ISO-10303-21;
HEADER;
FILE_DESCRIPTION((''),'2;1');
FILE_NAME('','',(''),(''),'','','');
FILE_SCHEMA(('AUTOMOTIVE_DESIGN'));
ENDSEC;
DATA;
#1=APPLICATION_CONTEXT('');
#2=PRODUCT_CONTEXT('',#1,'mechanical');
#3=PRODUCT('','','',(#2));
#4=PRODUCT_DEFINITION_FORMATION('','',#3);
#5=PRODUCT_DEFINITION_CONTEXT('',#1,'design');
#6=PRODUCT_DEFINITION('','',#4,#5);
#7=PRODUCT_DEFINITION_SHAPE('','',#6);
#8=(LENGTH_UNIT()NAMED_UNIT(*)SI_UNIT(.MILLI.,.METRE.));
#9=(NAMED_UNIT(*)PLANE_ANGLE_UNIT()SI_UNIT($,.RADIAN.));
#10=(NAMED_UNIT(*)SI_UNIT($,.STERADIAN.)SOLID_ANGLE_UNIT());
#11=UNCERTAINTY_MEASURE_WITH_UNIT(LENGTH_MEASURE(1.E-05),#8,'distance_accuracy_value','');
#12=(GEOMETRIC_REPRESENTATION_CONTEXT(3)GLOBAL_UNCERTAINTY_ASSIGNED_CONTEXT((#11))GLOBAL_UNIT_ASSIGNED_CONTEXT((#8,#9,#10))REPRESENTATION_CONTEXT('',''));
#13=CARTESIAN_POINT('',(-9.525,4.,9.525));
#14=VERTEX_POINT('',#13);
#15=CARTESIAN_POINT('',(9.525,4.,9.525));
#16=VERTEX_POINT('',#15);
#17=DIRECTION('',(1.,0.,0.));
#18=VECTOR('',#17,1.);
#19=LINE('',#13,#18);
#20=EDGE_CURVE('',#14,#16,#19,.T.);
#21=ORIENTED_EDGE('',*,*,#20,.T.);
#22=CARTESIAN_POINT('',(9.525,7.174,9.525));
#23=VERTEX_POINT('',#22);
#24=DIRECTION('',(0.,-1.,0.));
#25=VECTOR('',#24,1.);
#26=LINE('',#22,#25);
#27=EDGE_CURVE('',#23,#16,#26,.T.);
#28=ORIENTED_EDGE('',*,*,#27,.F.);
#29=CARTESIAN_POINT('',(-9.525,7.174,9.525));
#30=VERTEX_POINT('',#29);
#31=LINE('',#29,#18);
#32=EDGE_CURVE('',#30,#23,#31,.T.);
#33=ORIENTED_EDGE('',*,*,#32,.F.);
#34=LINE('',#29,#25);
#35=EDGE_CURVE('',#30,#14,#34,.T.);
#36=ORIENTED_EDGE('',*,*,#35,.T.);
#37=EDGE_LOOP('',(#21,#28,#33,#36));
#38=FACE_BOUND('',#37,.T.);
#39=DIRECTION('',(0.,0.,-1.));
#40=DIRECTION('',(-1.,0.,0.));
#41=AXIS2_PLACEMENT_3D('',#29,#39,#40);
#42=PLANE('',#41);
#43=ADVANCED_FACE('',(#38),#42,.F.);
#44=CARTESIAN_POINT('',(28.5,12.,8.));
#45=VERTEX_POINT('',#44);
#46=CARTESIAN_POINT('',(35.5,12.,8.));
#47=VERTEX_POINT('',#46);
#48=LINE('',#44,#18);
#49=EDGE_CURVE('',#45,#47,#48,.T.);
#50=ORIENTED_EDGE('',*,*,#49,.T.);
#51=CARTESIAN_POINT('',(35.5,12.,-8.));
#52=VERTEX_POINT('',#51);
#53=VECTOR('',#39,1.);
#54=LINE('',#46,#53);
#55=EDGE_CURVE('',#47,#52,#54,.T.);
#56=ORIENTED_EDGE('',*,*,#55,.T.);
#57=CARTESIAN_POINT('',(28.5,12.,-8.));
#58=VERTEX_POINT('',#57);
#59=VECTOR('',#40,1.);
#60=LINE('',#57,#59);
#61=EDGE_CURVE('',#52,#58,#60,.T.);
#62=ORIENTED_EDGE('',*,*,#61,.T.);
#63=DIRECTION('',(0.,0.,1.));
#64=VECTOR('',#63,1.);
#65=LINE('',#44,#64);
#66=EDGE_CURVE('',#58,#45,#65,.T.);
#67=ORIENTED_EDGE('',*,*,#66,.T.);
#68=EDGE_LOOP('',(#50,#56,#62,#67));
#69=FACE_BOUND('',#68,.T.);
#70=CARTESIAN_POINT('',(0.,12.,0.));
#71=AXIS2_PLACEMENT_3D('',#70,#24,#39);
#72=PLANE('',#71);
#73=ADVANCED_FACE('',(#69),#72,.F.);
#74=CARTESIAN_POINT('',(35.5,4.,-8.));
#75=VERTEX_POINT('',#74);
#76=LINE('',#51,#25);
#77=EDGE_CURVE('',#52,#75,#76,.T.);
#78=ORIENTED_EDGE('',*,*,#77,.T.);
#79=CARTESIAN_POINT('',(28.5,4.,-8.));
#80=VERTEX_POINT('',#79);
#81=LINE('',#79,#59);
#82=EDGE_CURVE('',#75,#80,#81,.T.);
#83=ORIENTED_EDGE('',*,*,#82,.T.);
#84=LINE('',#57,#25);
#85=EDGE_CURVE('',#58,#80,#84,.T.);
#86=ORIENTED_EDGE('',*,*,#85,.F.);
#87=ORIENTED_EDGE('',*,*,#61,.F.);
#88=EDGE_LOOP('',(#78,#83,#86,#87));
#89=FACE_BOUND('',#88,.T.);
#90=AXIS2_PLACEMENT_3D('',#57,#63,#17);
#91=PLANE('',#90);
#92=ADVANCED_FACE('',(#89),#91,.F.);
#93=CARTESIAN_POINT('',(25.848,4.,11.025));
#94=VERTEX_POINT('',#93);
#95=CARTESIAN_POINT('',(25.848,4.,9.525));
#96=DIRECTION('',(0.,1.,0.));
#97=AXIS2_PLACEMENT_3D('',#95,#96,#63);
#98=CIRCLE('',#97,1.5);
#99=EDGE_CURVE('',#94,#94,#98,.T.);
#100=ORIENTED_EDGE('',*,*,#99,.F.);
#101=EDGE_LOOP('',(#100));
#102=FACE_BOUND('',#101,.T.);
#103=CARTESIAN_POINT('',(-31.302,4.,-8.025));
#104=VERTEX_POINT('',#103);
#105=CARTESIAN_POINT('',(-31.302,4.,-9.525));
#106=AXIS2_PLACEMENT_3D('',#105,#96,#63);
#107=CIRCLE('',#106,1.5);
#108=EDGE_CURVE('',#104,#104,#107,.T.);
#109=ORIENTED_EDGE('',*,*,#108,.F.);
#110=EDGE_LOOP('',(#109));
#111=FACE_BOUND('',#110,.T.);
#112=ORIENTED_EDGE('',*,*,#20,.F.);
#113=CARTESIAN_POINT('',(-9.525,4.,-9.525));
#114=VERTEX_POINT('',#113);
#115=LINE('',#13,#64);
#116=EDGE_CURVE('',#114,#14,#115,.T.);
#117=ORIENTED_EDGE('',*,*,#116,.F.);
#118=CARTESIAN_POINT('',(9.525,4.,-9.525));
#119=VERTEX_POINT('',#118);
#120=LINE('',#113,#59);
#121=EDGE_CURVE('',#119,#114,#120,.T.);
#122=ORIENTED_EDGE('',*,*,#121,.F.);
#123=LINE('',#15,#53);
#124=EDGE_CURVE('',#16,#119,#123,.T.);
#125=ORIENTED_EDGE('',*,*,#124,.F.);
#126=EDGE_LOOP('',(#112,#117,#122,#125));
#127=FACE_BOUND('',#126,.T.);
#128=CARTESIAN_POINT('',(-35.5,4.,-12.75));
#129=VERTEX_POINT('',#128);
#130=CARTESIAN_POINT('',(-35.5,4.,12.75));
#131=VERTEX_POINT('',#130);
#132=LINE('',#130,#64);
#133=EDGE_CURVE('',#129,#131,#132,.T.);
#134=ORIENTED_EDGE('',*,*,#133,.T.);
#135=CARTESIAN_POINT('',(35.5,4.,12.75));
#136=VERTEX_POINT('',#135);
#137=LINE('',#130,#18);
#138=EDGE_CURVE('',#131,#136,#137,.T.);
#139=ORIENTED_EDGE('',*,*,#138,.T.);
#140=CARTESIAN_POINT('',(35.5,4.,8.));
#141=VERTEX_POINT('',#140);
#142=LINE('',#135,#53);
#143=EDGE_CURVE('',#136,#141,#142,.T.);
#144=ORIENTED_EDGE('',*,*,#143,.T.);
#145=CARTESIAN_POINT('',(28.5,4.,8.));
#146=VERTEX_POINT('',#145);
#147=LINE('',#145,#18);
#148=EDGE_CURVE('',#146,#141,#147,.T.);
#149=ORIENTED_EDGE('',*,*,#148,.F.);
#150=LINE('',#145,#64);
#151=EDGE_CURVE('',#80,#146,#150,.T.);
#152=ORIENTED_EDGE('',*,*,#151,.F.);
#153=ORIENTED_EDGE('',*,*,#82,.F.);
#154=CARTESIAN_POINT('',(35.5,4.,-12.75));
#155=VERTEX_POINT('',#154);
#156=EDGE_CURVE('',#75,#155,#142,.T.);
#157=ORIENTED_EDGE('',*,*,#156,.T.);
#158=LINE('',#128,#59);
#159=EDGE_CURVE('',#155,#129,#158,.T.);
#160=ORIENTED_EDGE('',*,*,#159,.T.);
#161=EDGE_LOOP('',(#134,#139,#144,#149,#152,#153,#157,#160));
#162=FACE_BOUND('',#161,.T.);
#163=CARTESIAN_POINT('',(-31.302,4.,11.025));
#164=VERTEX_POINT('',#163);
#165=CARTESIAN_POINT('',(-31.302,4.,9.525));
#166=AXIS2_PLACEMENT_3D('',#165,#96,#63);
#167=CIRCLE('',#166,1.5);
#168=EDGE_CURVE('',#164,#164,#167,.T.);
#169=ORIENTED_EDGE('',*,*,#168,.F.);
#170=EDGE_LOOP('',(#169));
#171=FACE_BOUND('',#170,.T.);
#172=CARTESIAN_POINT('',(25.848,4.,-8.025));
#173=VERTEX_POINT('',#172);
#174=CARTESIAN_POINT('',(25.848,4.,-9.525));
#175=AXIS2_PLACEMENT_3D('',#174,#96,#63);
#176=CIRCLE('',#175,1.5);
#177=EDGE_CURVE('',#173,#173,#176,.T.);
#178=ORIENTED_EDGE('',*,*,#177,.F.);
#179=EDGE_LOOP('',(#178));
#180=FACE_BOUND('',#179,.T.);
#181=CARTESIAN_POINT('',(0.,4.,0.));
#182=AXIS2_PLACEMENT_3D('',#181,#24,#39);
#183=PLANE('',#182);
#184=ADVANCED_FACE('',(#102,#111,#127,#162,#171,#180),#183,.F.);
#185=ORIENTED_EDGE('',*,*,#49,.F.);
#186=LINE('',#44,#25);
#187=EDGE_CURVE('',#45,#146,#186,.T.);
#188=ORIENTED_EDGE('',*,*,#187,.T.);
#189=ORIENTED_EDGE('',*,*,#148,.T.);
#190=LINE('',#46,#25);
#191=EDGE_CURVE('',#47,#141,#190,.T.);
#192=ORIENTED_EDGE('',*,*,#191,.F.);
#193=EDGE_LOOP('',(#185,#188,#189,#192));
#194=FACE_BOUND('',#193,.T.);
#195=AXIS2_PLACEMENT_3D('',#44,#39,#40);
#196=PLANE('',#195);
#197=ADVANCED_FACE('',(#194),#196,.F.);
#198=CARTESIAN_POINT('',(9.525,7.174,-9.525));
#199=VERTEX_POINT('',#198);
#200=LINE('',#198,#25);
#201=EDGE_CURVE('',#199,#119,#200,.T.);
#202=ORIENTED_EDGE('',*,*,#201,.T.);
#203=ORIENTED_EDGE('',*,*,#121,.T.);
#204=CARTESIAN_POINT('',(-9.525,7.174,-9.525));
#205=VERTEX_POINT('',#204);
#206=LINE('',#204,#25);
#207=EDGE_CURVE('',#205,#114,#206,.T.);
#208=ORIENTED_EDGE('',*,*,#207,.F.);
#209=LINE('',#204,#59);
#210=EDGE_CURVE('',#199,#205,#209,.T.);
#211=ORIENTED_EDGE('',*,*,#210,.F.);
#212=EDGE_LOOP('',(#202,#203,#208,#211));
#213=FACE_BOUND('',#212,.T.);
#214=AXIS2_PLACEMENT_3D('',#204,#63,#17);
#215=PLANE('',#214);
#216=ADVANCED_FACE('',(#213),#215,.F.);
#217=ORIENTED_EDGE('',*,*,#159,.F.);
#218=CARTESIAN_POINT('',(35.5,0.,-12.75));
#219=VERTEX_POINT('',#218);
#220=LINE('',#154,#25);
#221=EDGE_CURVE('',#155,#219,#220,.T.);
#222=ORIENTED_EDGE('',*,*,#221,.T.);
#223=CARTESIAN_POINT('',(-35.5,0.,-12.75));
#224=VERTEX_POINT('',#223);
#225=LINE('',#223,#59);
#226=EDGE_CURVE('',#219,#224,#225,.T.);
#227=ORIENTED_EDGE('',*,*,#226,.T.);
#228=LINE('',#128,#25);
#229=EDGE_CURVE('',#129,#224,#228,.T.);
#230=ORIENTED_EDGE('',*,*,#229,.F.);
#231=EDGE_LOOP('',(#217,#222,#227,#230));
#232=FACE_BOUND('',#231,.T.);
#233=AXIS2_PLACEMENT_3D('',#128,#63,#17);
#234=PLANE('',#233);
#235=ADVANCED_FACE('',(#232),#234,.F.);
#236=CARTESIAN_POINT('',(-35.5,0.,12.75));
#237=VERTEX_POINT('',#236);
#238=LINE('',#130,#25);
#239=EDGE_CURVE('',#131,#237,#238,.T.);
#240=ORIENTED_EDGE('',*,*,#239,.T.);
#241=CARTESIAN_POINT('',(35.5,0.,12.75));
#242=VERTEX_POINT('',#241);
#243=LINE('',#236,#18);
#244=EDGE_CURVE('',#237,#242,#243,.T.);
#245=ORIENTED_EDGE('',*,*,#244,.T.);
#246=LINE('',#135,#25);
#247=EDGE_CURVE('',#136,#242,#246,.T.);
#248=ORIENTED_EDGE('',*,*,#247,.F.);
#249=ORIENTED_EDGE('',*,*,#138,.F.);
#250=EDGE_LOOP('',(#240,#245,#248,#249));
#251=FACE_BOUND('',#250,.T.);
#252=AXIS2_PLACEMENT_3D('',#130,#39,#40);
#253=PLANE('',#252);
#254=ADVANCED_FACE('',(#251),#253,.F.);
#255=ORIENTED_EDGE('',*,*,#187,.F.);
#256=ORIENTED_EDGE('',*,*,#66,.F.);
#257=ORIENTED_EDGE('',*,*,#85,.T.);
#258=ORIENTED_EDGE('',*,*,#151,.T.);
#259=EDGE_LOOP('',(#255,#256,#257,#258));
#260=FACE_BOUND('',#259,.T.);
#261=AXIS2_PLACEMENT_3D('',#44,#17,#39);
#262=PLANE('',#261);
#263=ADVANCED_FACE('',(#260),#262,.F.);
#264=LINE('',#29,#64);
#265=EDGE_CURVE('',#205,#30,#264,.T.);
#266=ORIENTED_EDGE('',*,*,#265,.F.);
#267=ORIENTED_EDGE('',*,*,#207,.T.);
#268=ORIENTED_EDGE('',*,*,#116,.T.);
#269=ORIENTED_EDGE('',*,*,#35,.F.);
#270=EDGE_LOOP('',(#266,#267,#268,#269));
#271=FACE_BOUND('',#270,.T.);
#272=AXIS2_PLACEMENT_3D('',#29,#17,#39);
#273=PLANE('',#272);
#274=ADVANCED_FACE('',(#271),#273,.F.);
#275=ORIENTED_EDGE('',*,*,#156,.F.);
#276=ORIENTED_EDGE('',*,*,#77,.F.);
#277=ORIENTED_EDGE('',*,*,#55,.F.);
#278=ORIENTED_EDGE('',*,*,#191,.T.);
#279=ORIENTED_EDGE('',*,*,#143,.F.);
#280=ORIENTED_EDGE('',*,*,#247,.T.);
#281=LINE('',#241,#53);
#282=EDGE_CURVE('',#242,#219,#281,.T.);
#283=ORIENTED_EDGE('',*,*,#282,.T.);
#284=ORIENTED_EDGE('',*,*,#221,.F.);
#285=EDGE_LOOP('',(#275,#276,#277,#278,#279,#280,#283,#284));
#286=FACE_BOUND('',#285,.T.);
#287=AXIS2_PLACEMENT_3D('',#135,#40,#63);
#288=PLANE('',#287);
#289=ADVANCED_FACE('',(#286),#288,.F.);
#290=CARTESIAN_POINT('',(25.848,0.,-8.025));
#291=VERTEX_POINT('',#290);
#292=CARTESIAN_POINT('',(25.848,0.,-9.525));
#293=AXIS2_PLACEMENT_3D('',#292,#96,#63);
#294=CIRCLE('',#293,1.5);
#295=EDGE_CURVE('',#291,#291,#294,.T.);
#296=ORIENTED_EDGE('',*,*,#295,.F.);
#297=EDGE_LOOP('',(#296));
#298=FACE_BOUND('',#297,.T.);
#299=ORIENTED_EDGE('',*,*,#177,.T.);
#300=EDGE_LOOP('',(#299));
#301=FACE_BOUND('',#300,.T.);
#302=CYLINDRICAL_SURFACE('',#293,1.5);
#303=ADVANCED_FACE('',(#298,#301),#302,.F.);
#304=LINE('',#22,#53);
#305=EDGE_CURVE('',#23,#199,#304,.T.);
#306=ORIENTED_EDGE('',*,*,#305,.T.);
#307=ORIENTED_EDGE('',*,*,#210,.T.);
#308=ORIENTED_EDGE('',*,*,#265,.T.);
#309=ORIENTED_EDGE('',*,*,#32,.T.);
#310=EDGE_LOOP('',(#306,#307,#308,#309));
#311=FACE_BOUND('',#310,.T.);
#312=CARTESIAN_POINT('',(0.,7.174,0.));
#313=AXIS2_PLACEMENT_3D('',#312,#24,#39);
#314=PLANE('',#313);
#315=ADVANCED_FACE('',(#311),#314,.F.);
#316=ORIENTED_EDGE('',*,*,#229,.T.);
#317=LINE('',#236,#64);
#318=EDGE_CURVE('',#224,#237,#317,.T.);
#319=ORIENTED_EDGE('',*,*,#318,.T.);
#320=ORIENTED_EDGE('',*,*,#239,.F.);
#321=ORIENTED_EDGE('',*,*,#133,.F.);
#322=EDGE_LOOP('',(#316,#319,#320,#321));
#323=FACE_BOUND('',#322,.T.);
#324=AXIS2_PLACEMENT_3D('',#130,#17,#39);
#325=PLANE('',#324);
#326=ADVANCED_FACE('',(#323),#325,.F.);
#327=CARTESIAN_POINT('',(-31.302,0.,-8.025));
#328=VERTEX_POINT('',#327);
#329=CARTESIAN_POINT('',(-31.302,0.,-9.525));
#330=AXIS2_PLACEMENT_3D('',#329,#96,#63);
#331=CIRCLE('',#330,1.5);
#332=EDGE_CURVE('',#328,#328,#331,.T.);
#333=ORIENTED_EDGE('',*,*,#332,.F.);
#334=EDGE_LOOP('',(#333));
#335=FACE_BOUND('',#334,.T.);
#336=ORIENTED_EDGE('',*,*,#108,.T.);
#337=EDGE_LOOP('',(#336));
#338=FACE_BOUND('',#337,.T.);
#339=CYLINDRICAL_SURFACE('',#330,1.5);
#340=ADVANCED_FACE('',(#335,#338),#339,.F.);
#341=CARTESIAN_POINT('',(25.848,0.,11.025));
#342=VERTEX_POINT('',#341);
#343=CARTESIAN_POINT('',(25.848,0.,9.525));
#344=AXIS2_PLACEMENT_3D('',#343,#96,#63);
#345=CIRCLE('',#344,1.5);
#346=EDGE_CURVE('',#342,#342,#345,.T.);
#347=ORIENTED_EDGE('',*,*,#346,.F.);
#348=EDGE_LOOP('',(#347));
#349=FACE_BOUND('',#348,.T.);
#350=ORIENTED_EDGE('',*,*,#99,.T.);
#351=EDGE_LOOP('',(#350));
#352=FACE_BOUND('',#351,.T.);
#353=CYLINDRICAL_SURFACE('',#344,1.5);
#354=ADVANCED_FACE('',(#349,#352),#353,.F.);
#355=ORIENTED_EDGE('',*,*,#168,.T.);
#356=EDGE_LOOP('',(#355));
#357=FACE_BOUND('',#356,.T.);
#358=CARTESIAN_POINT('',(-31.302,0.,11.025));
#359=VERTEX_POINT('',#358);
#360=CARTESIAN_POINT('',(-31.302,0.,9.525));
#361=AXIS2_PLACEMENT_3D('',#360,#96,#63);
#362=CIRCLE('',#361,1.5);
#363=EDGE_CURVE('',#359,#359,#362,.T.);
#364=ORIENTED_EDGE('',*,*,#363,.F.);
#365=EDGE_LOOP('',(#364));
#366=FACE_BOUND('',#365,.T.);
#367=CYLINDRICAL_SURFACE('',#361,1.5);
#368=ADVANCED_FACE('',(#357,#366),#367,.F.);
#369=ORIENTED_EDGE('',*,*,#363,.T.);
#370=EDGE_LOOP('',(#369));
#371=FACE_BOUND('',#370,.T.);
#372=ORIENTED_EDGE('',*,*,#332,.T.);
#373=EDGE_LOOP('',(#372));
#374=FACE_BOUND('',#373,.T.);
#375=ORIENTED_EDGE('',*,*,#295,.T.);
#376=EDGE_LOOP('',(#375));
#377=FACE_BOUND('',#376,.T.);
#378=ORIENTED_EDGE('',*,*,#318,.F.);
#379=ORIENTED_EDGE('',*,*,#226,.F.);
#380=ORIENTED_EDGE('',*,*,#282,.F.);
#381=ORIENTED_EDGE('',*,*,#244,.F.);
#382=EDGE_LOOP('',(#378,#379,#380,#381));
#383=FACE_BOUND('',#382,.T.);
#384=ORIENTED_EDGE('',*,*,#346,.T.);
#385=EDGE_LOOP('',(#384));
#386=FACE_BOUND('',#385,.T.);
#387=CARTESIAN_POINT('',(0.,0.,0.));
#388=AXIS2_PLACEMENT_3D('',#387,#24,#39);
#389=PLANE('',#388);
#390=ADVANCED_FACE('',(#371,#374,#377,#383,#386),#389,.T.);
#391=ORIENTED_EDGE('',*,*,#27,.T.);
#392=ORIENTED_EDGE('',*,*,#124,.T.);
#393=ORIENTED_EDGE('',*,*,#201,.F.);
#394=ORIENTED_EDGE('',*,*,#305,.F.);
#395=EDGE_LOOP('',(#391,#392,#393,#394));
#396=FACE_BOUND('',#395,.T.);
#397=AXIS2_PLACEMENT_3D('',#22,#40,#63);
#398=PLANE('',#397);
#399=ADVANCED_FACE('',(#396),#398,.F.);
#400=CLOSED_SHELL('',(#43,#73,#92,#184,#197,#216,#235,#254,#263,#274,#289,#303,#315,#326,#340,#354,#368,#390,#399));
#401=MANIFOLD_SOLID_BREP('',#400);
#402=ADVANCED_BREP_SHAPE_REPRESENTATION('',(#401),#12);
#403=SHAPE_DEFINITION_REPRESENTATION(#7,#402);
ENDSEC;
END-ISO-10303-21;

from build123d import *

# Parameters (mm, degrees)
SKETCH1_W           = 71
SKETCH1_H           = 25.5
BOSS_EXTRUDE2_DEPTH = 4
SKETCH4_W           = 7
SKETCH4_H           = 16
BOSS_EXTRUDE3_DEPTH = 8
SKETCH5_W           = 19.05
SKETCH5_H           = 19.05
BOSS_EXTRUDE4_DEPTH = 3.174
SKETCH6_R           = 1.5
CUT_EXTRUDE1_DEPTH  = 5


with BuildPart() as part:
    # Sketch1 → Boss-Extrude2 (new body)
    with BuildSketch(Plane(origin=(0, 0, 0), x_dir=(1, 0, 0), z_dir=(0, 1, 0))):
        Rectangle(SKETCH1_W, SKETCH1_H)
    extrude(amount=BOSS_EXTRUDE2_DEPTH)

    # Sketch4 → Boss-Extrude3 (add)
    with BuildSketch(Plane(origin=(0, 4, 0), x_dir=(1, 0, 0), z_dir=(0, 1, 0))):
        with Locations((32, 0)):
            Rectangle(SKETCH4_W, SKETCH4_H)
    extrude(amount=BOSS_EXTRUDE3_DEPTH)

    # Sketch5 → Boss-Extrude4 (add)
    with BuildSketch(Plane(origin=(0, 4, 0), x_dir=(1, 0, 0), z_dir=(0, 1, 0))):
        Rectangle(SKETCH5_W, SKETCH5_H)
    extrude(amount=BOSS_EXTRUDE4_DEPTH)

    # Sketch6 → Cut-Extrude1 (cut, through all)
    with BuildSketch(Plane(origin=(0, 4, 0), x_dir=(1, 0, 0), z_dir=(0, 1, 0))):
        with Locations((-31.302, 9.525)):
            Circle(SKETCH6_R)
        with Locations((-31.302, -9.525)):
            Circle(SKETCH6_R)
        with Locations((25.848, 9.525)):
            Circle(SKETCH6_R)
        with Locations((25.848, -9.525)):
            Circle(SKETCH6_R)
    extrude(amount=-CUT_EXTRUDE1_DEPTH, mode=Mode.SUBTRACT)


solid = part.part
